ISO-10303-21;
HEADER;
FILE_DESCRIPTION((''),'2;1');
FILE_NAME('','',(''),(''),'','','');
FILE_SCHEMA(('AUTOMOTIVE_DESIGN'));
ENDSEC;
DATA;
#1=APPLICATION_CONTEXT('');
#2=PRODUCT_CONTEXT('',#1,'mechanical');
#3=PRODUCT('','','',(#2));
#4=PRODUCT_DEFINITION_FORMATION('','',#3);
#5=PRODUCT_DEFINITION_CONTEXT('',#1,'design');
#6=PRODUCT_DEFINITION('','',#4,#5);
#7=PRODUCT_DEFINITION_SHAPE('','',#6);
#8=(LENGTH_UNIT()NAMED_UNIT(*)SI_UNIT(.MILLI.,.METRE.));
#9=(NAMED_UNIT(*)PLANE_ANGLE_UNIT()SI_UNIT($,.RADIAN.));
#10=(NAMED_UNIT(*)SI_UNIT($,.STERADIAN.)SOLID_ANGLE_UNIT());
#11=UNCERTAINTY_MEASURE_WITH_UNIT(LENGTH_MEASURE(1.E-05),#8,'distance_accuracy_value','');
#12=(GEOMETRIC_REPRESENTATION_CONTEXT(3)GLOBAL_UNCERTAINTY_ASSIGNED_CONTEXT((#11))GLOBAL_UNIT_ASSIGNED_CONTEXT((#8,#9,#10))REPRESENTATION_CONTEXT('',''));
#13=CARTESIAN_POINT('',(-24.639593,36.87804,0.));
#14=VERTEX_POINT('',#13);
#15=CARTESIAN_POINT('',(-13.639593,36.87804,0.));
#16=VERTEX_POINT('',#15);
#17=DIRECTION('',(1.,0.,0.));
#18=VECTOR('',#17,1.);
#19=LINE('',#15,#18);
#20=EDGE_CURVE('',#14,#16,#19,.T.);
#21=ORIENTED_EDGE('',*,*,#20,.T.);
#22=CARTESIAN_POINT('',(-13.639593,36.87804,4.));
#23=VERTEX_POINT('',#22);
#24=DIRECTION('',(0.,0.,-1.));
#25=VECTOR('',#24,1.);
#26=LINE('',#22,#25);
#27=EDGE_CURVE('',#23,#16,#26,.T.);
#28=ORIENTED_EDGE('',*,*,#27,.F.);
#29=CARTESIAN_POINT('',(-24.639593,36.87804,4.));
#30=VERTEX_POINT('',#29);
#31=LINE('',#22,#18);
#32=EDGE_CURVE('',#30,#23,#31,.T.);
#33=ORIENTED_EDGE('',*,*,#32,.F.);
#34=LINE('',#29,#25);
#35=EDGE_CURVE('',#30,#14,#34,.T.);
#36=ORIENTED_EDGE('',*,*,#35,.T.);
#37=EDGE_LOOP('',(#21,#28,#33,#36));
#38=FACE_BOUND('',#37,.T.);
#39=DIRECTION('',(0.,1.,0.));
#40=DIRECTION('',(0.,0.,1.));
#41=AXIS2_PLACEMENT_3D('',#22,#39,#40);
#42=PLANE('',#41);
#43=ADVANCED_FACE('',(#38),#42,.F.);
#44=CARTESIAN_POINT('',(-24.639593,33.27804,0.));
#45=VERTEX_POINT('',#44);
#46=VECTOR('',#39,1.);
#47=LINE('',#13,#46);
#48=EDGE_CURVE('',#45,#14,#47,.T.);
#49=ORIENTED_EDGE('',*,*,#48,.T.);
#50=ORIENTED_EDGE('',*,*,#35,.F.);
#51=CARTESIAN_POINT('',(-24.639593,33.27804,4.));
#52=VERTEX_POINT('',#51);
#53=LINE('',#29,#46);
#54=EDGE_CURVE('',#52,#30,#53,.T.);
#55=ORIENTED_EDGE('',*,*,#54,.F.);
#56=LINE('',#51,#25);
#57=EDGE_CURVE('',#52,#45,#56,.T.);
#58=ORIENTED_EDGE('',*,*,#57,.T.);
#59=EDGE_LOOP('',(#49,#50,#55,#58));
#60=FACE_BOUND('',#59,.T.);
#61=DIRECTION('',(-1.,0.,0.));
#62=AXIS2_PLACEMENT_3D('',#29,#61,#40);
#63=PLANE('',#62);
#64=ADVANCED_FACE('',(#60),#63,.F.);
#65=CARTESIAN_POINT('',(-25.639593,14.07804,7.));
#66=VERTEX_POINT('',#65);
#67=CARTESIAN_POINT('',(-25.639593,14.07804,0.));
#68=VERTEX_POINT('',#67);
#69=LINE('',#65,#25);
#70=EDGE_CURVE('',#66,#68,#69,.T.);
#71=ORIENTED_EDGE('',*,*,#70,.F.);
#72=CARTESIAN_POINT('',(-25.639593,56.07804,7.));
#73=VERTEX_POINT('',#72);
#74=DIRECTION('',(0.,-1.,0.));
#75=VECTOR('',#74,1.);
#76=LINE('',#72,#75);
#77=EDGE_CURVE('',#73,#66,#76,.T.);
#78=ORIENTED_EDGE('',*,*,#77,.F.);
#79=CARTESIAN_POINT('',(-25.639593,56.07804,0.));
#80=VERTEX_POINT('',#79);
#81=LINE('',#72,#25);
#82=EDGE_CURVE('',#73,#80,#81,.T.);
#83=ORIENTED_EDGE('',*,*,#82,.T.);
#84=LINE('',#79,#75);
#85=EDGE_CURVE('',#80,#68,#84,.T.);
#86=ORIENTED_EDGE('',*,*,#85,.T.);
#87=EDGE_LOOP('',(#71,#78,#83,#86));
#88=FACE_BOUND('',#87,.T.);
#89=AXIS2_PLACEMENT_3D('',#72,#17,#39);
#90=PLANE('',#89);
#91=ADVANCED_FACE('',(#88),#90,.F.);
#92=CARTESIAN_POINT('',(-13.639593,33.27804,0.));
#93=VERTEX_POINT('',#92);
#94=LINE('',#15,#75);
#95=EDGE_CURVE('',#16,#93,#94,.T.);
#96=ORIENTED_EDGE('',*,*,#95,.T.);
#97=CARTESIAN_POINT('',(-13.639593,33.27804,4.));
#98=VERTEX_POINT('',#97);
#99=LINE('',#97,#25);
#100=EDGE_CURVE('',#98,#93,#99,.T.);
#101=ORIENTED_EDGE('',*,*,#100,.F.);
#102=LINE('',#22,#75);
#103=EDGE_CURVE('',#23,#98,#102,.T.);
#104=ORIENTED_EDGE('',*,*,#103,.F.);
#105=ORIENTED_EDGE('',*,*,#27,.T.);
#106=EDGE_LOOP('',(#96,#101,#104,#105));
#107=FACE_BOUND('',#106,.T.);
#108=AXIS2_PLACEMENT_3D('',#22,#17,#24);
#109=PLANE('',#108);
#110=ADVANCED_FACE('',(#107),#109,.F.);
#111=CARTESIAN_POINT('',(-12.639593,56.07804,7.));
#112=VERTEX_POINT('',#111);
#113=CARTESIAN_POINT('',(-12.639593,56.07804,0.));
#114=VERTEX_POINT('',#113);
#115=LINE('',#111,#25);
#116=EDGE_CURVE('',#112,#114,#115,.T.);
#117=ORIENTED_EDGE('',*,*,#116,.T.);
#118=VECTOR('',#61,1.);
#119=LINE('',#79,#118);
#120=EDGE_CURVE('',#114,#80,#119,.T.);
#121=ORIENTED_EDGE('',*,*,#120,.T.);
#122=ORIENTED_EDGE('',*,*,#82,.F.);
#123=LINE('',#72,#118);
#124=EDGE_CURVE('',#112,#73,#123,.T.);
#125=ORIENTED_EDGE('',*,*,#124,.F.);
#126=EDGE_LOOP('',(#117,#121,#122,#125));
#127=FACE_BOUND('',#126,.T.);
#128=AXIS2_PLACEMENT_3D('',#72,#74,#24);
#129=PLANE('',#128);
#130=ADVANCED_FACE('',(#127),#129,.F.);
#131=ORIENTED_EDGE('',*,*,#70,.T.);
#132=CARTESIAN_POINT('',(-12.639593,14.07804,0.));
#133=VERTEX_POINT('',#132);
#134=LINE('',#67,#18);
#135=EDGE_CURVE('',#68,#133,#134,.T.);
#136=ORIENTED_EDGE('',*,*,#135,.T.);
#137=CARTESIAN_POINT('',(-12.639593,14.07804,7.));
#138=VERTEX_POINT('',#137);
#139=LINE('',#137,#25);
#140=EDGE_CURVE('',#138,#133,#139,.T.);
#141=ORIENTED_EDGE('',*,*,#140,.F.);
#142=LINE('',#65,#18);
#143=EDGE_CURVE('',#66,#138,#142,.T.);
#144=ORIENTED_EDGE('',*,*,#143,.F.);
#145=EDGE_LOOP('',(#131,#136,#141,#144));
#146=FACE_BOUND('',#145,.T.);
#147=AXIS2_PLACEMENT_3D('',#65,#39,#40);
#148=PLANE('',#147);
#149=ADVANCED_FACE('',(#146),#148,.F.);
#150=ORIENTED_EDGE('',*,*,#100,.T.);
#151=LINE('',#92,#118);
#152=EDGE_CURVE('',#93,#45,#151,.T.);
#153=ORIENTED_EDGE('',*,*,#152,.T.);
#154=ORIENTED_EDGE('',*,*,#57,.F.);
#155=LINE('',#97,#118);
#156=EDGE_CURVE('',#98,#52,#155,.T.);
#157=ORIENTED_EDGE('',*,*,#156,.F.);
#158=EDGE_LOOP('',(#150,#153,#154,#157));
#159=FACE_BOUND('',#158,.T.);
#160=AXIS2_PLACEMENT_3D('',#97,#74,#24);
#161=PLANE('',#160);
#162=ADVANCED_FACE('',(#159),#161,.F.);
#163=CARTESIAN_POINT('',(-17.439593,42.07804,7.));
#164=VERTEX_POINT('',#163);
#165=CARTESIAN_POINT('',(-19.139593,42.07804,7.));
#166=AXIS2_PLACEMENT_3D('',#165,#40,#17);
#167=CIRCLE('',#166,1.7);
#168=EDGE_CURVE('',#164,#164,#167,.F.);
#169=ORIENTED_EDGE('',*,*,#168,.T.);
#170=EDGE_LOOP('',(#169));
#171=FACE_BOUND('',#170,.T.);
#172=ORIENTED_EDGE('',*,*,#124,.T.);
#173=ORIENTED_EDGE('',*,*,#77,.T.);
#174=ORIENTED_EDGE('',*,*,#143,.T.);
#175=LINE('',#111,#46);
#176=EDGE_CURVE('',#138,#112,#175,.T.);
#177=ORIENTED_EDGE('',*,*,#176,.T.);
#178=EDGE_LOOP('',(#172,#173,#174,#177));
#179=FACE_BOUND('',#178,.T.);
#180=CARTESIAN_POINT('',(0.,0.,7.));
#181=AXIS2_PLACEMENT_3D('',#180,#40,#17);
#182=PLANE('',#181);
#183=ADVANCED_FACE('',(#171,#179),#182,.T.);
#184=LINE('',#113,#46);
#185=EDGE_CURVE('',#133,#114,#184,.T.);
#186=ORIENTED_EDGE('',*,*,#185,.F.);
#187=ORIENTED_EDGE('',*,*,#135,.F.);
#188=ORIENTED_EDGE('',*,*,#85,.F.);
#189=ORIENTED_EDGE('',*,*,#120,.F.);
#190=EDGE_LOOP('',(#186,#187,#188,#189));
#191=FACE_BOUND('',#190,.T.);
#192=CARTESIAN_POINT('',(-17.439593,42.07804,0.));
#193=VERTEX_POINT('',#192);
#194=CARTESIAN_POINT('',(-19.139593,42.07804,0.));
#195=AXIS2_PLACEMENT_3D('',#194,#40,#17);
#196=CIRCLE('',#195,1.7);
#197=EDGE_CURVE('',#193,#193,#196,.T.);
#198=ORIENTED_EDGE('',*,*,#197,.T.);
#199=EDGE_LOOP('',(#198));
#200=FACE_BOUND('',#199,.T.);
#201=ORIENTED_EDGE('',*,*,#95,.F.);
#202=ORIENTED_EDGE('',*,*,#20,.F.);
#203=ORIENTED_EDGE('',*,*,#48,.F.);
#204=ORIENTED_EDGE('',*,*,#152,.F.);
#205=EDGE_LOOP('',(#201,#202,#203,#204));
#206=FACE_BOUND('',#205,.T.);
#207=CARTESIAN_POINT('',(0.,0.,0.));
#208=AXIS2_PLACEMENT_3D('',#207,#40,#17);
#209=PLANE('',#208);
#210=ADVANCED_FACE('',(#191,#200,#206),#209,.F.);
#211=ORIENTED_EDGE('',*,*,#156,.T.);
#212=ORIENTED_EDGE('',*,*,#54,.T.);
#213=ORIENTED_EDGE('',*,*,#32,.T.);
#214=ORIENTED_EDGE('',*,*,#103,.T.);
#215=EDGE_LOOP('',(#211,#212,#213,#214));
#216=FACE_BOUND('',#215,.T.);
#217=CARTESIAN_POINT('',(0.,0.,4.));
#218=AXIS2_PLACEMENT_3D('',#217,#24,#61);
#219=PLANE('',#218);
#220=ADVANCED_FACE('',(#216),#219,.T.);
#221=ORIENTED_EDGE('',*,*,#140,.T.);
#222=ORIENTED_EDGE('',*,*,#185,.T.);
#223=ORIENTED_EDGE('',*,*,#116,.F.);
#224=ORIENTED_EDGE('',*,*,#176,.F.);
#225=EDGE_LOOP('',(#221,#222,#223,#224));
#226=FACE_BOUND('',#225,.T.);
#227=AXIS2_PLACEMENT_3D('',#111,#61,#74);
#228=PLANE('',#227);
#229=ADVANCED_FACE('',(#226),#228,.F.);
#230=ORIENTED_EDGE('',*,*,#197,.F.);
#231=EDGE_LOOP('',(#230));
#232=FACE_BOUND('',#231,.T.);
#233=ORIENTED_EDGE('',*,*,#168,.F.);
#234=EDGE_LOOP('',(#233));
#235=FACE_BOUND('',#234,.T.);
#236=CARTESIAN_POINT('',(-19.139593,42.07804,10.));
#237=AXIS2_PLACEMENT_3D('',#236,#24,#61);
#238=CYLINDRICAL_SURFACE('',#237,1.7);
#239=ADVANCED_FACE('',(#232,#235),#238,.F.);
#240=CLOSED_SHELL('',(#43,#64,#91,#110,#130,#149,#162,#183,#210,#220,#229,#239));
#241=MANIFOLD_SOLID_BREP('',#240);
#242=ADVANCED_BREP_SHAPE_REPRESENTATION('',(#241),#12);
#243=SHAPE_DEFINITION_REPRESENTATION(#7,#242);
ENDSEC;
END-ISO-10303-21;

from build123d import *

# Parameters (mm, degrees)
SKETCH1_W           = 13
SKETCH1_H           = 42
BOSS_EXTRUDE1_DEPTH = 7
SKETCH2_W           = 11
SKETCH2_H           = 3.6
CUT_EXTRUDE1_DEPTH  = 4
SKETCH3_R           = 1.7
CUT_EXTRUDE2_DEPTH  = 10


with BuildPart() as part:
    # Sketch1 → Boss-Extrude1 (new body)
    with BuildSketch(Plane.XY):
        with Locations((-19.139592704, 35.078039657)):
            Rectangle(SKETCH1_W, SKETCH1_H)
    extrude(amount=BOSS_EXTRUDE1_DEPTH)

    # Sketch2 → Cut-Extrude1 (cut)
    with BuildSketch(Plane(origin=(0, 0, 0), x_dir=(-1, 0, 0), z_dir=(0, 0, -1))):
        with Locations((19.139592704, 35.078039657)):
            Rectangle(SKETCH2_W, SKETCH2_H)
    extrude(amount=-CUT_EXTRUDE1_DEPTH, mode=Mode.SUBTRACT)

    # Sketch3 → Cut-Extrude2 (cut)
    with BuildSketch(Plane.XY):
        with Locations((-19.139592704, 42.078039657)):
            Circle(SKETCH3_R)
    extrude(amount=CUT_EXTRUDE2_DEPTH, mode=Mode.SUBTRACT)


solid = part.part
